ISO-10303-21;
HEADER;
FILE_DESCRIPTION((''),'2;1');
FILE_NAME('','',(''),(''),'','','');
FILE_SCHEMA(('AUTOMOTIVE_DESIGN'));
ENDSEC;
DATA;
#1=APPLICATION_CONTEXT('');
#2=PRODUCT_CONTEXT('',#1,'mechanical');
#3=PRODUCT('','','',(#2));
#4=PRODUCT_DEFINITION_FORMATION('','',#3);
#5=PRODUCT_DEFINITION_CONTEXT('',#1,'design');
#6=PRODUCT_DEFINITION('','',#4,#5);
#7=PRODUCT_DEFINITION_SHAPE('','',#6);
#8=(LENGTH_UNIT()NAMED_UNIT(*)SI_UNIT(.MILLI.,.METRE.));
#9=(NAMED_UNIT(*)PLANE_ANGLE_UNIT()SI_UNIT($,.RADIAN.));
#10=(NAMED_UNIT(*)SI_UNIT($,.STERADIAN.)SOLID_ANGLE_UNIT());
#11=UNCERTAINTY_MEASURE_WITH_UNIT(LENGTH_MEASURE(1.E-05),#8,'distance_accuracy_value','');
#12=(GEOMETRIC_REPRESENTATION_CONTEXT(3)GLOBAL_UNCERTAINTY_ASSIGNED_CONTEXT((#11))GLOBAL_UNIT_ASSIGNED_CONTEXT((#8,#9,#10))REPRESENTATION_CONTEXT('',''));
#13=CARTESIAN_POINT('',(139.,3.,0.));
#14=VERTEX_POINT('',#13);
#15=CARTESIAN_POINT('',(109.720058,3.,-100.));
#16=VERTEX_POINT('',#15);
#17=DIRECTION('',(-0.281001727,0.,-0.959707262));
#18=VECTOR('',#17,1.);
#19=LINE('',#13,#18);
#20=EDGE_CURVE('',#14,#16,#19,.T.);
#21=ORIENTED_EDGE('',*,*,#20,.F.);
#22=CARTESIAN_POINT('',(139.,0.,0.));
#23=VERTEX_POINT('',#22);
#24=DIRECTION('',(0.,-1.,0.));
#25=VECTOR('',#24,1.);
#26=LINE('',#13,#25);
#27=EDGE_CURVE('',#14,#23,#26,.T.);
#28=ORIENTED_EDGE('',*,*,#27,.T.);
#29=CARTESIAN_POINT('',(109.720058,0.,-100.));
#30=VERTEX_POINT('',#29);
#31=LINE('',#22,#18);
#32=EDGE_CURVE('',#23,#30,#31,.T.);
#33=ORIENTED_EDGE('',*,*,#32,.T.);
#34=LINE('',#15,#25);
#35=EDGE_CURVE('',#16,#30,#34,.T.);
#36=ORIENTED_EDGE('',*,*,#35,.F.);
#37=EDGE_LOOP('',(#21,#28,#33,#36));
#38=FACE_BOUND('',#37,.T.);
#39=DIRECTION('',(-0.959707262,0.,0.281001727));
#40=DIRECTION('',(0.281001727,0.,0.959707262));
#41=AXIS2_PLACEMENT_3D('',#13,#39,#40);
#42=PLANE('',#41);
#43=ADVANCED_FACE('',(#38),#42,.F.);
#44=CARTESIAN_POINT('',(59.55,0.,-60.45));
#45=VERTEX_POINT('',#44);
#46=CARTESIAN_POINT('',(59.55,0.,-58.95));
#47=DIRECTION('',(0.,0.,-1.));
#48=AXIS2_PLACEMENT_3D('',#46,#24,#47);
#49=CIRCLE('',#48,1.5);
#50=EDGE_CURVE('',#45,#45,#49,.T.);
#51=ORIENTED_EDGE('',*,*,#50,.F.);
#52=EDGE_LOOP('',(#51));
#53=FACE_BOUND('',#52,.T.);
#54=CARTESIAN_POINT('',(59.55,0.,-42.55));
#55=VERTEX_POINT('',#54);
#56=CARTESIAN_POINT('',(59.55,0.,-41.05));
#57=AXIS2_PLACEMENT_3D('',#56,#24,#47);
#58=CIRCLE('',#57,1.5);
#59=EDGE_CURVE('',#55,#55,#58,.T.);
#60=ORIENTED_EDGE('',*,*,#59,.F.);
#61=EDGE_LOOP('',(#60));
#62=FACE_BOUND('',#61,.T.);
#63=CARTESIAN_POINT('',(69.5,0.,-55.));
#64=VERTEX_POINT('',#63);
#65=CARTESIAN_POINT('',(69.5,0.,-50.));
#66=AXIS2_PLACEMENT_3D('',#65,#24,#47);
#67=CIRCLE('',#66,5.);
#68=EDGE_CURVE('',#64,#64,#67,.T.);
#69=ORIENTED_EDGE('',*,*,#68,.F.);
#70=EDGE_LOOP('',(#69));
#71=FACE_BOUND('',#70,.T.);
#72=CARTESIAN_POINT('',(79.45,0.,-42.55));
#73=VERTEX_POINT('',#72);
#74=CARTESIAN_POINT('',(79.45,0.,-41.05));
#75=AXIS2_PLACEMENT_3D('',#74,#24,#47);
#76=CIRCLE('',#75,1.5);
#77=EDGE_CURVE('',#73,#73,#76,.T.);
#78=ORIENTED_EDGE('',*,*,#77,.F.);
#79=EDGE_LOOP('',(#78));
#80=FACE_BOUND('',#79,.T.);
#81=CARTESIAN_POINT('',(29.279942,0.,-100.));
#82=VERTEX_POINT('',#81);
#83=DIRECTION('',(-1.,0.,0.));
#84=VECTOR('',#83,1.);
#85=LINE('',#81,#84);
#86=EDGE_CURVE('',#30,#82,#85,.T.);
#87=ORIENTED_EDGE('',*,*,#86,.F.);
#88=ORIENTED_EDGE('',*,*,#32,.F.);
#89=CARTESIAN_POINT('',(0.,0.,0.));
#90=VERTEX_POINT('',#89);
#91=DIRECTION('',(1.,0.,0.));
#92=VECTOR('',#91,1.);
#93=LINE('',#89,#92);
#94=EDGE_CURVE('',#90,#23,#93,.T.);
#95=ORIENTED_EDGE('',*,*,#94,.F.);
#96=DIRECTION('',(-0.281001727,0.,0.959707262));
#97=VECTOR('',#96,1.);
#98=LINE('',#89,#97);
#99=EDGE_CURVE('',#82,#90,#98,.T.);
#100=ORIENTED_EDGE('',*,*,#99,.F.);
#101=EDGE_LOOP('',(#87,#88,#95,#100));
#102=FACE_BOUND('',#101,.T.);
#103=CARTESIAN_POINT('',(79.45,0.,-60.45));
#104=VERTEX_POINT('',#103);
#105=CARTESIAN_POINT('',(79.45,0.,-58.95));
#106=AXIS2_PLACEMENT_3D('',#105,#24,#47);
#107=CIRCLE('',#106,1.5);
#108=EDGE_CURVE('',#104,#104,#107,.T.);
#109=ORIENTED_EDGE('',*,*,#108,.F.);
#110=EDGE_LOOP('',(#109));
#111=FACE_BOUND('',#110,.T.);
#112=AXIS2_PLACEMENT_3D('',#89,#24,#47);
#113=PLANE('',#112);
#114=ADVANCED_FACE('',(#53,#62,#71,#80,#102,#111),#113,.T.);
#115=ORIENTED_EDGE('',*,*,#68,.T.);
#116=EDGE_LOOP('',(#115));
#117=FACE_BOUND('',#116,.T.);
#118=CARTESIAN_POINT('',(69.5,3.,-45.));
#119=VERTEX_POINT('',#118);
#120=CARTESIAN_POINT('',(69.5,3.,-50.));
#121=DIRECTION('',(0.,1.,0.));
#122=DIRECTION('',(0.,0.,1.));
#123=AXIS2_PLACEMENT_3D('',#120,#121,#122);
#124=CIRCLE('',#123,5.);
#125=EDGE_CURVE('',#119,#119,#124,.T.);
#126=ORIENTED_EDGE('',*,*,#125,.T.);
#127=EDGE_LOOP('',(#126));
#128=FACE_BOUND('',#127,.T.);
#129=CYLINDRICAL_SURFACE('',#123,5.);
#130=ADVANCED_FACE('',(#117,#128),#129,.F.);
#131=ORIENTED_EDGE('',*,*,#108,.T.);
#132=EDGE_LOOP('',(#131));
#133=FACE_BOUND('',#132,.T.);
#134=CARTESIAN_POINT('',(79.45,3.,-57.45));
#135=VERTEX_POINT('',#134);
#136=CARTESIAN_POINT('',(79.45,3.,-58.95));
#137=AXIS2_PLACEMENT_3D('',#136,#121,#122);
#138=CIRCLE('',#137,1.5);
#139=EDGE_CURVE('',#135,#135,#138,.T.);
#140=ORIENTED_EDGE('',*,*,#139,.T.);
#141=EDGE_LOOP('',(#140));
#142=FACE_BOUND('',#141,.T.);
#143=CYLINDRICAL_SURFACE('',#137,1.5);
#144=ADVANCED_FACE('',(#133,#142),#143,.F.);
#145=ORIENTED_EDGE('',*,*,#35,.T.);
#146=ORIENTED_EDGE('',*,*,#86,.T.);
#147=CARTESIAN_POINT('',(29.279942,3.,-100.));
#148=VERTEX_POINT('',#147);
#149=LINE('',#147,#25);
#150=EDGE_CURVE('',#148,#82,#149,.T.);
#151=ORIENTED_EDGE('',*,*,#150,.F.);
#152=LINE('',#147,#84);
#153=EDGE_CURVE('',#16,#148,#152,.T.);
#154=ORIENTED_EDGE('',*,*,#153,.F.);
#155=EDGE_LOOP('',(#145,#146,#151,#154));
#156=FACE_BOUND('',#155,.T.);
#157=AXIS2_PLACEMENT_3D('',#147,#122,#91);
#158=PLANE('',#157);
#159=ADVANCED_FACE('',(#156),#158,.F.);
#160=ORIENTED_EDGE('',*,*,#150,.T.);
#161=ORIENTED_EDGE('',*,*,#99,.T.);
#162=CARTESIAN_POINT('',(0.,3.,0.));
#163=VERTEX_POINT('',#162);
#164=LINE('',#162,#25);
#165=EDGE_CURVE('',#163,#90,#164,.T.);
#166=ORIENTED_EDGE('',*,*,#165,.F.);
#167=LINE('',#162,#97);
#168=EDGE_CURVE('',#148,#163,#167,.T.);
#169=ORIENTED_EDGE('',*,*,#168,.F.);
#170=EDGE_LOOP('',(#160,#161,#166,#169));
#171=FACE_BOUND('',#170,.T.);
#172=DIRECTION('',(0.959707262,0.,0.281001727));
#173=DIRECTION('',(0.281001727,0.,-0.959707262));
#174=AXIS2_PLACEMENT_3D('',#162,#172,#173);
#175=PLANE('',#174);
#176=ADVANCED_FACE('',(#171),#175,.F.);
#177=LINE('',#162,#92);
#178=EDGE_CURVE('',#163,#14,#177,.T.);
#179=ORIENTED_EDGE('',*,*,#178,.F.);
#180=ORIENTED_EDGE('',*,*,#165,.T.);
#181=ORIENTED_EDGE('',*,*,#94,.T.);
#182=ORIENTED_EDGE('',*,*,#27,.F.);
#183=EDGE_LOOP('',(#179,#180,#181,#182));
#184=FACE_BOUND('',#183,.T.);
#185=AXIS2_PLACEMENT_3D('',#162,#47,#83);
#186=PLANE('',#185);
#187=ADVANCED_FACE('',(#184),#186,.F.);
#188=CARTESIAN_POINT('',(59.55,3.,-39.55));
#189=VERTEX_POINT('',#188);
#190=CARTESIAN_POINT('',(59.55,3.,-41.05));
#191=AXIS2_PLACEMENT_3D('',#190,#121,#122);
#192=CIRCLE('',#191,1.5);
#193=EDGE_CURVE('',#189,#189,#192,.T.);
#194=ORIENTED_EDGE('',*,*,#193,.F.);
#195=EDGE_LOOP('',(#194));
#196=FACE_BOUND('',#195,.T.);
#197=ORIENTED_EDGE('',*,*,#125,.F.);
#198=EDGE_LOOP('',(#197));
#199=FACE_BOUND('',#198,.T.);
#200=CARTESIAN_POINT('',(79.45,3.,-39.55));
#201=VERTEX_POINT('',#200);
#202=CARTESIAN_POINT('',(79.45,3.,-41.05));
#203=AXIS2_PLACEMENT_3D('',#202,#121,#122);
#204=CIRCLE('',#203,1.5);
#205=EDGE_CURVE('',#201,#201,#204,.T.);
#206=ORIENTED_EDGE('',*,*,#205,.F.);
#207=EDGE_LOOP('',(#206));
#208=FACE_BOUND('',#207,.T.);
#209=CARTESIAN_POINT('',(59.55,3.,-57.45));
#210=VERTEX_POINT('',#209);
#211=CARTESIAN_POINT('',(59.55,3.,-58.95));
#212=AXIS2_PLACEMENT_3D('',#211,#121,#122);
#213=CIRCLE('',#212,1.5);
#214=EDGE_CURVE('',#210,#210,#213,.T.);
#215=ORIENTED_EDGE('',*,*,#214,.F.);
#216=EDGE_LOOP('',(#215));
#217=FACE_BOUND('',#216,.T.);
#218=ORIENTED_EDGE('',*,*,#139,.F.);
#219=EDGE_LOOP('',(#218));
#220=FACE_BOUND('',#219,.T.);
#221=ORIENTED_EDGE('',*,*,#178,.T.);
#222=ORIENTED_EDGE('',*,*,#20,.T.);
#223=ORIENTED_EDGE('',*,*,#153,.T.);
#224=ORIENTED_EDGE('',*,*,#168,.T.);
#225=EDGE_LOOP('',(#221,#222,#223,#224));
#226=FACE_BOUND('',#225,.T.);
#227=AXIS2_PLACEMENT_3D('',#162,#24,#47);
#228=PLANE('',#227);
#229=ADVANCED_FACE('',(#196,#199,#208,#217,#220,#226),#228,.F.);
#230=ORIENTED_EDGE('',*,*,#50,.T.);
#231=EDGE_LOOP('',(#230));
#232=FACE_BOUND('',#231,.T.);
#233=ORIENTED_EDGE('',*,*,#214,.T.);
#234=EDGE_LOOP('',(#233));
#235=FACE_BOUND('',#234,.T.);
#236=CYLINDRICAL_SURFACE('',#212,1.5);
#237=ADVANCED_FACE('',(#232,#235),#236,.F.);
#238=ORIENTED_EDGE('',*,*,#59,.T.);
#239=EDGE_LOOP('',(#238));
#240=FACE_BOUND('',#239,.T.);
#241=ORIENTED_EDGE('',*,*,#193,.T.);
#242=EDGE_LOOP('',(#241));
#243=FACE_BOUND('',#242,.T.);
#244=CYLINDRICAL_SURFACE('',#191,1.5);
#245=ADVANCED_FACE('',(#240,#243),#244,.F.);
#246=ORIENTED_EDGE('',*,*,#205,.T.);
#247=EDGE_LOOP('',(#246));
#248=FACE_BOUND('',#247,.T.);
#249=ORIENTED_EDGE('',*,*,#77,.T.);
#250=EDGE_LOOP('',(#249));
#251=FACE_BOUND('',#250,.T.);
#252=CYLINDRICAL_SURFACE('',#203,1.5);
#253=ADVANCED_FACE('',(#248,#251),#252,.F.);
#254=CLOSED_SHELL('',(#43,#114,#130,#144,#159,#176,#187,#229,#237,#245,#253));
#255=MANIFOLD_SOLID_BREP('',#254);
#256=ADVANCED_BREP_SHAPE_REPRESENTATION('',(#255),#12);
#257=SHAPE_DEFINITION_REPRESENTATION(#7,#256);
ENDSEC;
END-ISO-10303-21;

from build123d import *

# Parameters (mm, degrees)
BOSS_EXTRUDE1_DEPTH        = 3
F_10_0MM_DOWEL_HOLE1_D     = 10
F_10_0MM_DOWEL_HOLE1_DEPTH = 3
F_3_0MM_DOWEL_HOLE1_D      = 3
F_3_0MM_DOWEL_HOLE1_DEPTH  = 3


with BuildPart() as part:
    # Sketch1 → Boss-Extrude1 (new body)
    with BuildSketch(Plane(origin=(0, 0, 0), x_dir=(1, 0, 0), z_dir=(0, 1, 0))):
        Polygon((0, 0), (139, 0), (109.720058283, 100), (29.279941717, 100), align=None)
    extrude(amount=BOSS_EXTRUDE1_DEPTH)

    # Ø10.0mm Dowel Hole1
    with Locations(Plane(origin=(0, 3, 0), x_dir=(1, 0, 0), z_dir=(0, 1, 0))):
        with Locations((69.5, 50)):
            Hole(F_10_0MM_DOWEL_HOLE1_D / 2, depth=F_10_0MM_DOWEL_HOLE1_DEPTH)

    # Ø3.0mm Dowel Hole1
    with Locations(Plane(origin=(0, 3, 0), x_dir=(1, 0, 0), z_dir=(0, 1, 0))):
        with Locations((59.55, 41.05), (59.55, 58.95), (79.45, 58.95), (79.45, 41.05)):
            Hole(F_3_0MM_DOWEL_HOLE1_D / 2, depth=F_3_0MM_DOWEL_HOLE1_DEPTH)


solid = part.part
